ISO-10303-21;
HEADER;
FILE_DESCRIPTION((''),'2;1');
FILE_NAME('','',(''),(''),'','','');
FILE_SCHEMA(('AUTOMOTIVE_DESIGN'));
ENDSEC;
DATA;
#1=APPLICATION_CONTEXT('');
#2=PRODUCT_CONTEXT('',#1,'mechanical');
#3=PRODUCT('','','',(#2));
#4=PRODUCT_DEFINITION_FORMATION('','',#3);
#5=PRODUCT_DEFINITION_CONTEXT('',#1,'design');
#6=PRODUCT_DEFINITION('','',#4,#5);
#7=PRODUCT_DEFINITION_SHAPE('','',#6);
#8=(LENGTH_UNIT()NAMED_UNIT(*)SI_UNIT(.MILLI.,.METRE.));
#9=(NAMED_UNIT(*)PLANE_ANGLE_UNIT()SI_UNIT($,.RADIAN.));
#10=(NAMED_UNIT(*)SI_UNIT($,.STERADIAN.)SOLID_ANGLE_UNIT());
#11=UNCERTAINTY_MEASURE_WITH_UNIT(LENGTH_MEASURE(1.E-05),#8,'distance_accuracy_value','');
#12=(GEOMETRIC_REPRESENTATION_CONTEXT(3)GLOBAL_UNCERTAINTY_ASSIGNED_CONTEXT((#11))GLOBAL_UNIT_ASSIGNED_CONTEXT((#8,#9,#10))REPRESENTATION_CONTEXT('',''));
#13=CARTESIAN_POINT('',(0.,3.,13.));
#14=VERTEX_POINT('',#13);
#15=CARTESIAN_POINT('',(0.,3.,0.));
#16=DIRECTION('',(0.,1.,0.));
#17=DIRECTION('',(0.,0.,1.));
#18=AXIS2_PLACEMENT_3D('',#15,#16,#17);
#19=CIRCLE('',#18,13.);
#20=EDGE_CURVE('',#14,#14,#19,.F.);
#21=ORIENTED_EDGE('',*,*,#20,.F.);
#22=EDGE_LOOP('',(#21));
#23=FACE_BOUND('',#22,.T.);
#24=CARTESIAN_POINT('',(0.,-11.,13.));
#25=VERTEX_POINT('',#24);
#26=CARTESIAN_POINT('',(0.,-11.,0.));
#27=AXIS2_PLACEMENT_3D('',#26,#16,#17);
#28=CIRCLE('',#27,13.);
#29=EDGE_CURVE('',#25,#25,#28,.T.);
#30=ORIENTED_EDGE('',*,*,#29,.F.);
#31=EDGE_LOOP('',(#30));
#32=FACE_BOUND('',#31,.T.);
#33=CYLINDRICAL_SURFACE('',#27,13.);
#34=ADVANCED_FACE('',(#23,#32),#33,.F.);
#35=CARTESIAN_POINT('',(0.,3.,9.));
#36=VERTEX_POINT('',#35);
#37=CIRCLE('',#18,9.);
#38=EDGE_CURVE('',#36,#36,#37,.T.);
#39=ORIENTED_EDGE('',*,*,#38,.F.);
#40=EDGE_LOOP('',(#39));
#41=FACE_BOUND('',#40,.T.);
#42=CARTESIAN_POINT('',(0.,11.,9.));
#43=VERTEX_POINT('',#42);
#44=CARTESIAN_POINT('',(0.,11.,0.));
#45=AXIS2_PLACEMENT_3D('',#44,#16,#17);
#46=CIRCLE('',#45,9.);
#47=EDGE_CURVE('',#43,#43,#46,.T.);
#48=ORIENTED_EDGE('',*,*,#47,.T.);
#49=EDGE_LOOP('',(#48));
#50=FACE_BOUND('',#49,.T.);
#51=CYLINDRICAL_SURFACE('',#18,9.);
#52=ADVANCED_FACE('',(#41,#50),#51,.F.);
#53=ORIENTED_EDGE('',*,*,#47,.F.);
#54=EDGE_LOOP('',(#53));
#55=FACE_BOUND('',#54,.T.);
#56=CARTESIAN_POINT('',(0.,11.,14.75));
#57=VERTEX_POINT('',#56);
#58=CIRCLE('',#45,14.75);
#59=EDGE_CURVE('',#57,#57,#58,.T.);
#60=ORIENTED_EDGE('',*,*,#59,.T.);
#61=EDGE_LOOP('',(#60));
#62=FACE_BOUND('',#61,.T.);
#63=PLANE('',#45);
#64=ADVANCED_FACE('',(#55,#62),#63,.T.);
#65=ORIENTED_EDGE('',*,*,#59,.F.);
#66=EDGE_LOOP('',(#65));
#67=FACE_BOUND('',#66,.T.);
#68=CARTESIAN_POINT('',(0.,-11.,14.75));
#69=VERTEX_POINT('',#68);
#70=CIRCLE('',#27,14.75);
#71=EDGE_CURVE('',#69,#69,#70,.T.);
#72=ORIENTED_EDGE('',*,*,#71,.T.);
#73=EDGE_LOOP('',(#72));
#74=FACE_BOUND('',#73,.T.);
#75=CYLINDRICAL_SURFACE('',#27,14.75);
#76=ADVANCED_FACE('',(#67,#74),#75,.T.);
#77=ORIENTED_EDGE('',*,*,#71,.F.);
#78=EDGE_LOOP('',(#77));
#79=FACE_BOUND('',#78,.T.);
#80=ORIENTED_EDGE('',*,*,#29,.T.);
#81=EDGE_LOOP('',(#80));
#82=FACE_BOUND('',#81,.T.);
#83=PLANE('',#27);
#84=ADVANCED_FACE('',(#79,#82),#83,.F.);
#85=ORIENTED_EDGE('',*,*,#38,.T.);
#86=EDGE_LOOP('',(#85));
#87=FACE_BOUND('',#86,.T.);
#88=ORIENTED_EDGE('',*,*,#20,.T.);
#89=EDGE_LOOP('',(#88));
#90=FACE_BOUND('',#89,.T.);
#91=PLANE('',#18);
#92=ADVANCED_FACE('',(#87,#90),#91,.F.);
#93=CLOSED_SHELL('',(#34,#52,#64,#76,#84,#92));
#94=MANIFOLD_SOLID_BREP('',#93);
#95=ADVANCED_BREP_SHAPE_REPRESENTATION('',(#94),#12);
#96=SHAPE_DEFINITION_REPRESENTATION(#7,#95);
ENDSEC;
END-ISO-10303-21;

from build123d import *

# Parameters (mm, degrees)
SKETCH1_R           = 14.75
SKETCH1_R_2         = 13
BOSS_EXTRUDE1_DEPTH = 11
BOSS_EXTRUDE2_START = -8
SKETCH2_R           = 13
SKETCH2_R_2         = 9
BOSS_EXTRUDE2_DEPTH = 8


with BuildPart() as part:
    # Sketch1 → Boss-Extrude1 (new, symmetric)
    with BuildSketch(Plane(origin=(0, 0, 0), x_dir=(1, 0, 0), z_dir=(0, 1, 0))):
        with Locations(Location((0, 0, 0), (0, 0, 270))):
            Circle(SKETCH1_R)
        with Locations(Location((0, 0, 0), (0, 0, 270))):
            Circle(SKETCH1_R_2, mode=Mode.SUBTRACT)
    extrude(amount=BOSS_EXTRUDE1_DEPTH, both=True)

    # Sketch2 → Boss-Extrude2 (add)
    with BuildSketch(Plane(origin=(0, 11, 0), x_dir=(1, 0, 0), z_dir=(0, 1, 0)).offset(BOSS_EXTRUDE2_START)):
        with Locations(Location((0, 0, 0), (0, 0, 270))):
            Circle(SKETCH2_R)
        with Locations(Location((0, 0, 0), (0, 0, 270))):
            Circle(SKETCH2_R_2, mode=Mode.SUBTRACT)
    extrude(amount=BOSS_EXTRUDE2_DEPTH)


solid = part.part
